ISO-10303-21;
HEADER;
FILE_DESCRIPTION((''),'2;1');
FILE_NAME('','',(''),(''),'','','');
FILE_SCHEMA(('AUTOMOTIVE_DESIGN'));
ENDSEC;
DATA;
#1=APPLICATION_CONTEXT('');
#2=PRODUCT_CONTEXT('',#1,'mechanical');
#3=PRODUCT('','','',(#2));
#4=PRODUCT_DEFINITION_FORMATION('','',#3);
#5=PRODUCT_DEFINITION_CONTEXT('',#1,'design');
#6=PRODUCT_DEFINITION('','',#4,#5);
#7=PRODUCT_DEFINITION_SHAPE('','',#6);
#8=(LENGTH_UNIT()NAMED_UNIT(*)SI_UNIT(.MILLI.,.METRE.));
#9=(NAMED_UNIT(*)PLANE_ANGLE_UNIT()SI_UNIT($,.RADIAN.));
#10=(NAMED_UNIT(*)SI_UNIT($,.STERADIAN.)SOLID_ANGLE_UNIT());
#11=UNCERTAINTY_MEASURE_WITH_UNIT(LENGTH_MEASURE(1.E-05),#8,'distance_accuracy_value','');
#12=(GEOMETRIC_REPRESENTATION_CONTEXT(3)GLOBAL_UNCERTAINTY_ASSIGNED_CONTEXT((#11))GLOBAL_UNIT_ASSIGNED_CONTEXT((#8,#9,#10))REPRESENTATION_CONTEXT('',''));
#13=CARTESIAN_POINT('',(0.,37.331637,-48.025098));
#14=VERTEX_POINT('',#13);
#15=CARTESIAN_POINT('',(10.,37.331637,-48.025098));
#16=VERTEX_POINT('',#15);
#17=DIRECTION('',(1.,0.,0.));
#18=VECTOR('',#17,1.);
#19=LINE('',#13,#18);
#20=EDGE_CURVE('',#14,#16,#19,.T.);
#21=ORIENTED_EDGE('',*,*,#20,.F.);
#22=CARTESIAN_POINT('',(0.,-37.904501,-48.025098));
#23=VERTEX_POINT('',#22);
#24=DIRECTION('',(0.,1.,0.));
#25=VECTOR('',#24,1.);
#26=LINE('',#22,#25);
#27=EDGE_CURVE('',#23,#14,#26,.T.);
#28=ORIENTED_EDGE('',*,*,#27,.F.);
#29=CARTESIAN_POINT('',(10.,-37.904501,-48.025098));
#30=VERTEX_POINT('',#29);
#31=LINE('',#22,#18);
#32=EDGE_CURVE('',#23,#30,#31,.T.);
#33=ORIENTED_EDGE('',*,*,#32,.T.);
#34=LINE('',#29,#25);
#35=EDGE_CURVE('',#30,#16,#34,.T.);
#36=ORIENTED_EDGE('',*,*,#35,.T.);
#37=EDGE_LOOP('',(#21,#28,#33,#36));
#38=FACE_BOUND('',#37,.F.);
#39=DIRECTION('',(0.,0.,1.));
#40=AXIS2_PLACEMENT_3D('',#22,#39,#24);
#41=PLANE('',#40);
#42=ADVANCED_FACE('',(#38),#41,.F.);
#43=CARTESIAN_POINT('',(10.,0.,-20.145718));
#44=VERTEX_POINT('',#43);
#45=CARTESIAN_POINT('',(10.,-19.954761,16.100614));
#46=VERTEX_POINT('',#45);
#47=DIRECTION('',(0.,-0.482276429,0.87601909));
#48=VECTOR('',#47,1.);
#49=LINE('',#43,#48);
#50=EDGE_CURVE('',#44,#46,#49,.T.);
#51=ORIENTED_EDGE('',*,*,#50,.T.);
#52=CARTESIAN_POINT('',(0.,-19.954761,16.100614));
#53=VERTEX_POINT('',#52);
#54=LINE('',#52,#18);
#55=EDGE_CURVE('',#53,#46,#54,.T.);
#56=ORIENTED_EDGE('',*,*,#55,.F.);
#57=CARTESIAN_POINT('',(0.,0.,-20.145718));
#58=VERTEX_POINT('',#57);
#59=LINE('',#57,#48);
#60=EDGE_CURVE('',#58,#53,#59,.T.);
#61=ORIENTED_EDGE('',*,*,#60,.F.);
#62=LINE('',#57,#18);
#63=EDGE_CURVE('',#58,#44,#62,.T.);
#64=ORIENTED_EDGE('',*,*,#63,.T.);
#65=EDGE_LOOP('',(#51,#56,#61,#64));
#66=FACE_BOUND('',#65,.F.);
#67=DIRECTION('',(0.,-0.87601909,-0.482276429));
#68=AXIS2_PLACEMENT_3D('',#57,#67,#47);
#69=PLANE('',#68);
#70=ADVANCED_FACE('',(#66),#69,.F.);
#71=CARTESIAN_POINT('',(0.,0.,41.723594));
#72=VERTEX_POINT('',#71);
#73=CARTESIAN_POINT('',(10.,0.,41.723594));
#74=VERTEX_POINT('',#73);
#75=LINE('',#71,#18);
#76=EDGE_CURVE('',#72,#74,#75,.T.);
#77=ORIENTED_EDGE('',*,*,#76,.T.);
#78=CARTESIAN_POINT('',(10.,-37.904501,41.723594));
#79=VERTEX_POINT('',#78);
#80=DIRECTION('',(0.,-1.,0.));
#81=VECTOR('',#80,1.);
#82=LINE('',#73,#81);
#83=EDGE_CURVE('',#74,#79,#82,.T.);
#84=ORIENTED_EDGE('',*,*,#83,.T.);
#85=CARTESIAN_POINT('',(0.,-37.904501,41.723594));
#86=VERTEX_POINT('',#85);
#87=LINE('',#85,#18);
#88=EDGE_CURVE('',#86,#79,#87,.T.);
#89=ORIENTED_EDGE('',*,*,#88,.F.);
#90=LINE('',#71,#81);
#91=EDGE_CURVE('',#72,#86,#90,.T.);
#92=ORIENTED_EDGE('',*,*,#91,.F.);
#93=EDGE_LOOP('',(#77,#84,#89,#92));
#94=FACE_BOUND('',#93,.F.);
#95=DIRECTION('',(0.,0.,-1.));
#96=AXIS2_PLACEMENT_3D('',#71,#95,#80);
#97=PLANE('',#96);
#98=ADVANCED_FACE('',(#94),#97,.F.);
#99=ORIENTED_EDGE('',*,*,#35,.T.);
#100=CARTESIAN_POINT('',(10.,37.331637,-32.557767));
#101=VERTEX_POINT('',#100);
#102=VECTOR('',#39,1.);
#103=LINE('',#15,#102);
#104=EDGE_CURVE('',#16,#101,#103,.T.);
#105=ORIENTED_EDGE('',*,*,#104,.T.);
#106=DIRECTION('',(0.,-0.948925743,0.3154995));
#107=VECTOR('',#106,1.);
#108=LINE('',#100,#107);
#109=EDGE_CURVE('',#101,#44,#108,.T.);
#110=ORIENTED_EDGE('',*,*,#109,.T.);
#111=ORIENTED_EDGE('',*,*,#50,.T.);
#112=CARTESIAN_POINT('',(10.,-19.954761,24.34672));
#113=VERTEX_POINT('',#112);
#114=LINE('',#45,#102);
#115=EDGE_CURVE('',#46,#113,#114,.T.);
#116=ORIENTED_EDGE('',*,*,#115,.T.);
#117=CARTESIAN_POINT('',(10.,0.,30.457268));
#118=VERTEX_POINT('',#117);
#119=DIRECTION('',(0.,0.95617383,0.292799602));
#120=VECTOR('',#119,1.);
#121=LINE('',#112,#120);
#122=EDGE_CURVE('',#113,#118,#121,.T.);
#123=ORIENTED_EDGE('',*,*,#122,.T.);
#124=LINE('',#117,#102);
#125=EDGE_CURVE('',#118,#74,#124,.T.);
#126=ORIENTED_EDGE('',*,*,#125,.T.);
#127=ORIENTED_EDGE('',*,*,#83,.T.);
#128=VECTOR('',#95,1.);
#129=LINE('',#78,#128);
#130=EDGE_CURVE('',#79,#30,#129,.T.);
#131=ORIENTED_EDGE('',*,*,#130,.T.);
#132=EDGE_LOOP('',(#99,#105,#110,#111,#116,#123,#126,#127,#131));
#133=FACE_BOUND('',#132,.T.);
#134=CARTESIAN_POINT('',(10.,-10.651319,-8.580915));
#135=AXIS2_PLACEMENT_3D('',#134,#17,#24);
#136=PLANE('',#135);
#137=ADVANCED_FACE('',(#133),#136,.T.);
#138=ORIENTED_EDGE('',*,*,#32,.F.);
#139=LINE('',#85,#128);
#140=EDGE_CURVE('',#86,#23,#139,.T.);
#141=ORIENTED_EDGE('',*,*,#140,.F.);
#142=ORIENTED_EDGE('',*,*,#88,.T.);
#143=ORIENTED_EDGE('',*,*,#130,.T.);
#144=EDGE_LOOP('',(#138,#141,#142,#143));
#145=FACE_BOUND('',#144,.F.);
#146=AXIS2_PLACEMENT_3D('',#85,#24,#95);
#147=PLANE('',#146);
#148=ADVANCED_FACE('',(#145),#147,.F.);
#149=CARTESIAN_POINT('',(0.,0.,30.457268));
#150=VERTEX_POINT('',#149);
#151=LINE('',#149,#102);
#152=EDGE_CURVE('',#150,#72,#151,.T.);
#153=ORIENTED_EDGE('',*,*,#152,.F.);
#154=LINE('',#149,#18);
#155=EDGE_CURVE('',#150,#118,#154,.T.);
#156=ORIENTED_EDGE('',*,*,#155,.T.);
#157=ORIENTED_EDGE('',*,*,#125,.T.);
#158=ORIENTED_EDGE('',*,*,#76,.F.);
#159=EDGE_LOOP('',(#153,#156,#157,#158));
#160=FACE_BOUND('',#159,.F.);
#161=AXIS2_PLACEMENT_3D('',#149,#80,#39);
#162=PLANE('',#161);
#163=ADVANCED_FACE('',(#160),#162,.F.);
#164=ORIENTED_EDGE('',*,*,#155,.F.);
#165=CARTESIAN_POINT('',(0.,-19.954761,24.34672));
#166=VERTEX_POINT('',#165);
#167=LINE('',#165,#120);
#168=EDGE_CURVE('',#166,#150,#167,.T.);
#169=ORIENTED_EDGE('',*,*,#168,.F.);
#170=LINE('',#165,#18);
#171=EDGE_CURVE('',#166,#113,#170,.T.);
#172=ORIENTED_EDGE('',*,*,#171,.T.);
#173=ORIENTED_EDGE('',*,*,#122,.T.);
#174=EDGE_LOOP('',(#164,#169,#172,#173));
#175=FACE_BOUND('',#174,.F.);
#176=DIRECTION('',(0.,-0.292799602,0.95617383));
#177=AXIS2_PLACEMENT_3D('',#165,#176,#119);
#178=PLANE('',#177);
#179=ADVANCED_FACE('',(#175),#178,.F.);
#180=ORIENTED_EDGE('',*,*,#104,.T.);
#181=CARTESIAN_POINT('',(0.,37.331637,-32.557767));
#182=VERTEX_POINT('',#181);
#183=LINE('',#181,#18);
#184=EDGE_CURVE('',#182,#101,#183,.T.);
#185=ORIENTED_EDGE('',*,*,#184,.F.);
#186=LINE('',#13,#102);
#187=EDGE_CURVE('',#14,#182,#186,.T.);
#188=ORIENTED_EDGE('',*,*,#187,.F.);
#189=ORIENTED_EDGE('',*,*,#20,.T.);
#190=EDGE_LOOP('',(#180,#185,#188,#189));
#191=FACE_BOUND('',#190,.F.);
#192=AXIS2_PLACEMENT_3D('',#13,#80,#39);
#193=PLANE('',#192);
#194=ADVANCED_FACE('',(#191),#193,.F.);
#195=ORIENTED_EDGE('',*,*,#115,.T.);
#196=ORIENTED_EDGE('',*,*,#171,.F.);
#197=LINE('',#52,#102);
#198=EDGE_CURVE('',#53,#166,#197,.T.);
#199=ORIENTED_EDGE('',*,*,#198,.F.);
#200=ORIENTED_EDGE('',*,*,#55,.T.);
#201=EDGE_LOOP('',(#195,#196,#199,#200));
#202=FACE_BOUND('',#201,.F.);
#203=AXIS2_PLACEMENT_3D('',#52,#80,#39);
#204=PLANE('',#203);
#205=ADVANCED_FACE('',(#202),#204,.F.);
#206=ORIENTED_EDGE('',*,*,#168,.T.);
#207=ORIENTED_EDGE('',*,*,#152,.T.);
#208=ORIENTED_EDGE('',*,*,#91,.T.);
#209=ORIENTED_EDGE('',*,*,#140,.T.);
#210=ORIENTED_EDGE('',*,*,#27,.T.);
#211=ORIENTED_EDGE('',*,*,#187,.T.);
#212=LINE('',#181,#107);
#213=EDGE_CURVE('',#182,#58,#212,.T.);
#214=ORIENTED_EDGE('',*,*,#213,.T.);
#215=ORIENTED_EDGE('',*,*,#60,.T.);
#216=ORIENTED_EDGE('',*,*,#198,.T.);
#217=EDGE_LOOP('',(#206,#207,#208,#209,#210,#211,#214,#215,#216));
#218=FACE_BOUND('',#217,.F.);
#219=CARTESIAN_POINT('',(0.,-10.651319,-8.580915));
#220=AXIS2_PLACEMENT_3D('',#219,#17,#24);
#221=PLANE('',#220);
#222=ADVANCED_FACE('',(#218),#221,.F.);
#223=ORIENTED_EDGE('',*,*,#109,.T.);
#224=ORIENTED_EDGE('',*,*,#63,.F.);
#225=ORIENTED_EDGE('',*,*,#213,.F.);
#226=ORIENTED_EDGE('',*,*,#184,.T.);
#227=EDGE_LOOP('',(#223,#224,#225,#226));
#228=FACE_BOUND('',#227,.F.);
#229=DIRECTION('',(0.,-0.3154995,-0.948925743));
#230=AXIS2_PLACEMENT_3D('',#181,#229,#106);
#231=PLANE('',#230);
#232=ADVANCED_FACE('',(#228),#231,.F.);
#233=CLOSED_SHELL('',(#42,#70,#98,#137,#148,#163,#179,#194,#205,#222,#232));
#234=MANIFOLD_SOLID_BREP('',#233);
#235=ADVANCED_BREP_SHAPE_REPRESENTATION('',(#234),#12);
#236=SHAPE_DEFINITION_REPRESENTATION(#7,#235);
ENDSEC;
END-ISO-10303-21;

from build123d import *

# Parameters (mm, degrees)
F1_DEPTH = 10


with BuildPart() as f1:
    # F0 (on Right) → F1 (new body)
    with BuildSketch(Plane.YZ):
        Polygon((0, 41.723594), (-37.904501, 41.723594), (-37.904501, -48.025098), (37.331637, -48.025098), (37.331637, -32.557767), (0, -20.145718), (-19.954761, 16.100614), (-19.954761, 24.34672), (0, 30.457268), align=None)
    extrude(amount=F1_DEPTH)


solid = f1.part
